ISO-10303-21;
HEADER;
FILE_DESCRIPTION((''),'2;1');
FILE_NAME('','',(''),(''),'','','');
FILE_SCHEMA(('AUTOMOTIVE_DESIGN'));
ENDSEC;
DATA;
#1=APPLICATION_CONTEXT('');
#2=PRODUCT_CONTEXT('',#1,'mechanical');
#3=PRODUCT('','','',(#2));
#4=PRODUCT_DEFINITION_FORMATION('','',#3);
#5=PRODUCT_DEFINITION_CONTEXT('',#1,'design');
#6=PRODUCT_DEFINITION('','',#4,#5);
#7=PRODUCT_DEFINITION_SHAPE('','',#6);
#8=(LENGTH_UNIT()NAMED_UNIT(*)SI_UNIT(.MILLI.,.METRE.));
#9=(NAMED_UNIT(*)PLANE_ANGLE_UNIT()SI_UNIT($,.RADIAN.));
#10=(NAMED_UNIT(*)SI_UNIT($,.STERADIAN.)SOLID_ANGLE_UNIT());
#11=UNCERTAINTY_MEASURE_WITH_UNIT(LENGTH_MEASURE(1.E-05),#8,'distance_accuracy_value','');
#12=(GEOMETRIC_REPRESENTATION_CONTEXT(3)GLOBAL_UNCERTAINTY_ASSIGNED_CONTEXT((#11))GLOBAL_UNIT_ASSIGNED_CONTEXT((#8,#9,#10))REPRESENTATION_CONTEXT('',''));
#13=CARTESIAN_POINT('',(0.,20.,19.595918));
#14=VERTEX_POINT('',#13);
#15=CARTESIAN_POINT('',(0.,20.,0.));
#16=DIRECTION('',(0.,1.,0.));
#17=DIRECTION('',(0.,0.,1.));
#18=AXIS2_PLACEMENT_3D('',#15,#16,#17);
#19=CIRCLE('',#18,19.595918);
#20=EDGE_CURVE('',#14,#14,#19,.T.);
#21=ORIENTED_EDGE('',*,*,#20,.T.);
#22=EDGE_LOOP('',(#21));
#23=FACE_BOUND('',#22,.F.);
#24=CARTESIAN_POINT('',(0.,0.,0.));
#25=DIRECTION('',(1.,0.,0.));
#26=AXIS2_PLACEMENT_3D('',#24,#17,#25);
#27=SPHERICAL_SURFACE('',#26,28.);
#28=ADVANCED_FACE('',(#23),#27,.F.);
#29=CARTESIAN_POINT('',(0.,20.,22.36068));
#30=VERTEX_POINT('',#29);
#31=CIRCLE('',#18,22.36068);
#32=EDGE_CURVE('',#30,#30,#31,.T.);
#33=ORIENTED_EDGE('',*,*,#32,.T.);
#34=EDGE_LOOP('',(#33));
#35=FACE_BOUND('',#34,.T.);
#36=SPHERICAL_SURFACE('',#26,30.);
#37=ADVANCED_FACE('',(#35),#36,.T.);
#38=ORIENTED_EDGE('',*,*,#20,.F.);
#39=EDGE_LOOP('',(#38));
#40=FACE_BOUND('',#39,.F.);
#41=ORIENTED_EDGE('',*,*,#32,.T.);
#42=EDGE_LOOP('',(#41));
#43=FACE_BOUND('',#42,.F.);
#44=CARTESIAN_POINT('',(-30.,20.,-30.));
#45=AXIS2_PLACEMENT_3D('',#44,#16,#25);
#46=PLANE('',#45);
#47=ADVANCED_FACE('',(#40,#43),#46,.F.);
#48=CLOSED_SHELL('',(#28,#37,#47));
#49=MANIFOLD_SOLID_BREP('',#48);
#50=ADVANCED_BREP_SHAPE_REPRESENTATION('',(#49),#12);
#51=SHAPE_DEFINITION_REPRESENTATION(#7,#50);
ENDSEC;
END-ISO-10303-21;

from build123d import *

# Parameters (mm, degrees)
BOX_W           = 60
BOX_H           = 60
BOX_DEPTH       = 60
SPHERE001_ANGLE = 180
SPHERE_ANGLE    = 180


with BuildPart() as cube:
    # Box → Box (new body)
    with BuildSketch(Plane(origin=(-30, -40, -30), x_dir=(1, 0, 0), z_dir=(0, 0, 1))):
        with Locations((30, 30)):
            Rectangle(BOX_W, BOX_H)
    extrude(amount=BOX_DEPTH)


with BuildPart() as inner:
    # Sphere001 → Sphere001 (revolve)
    with BuildSketch(Plane.XZ):
        with BuildLine():
            ThreePointArc((0, -28), (28, 0), (0, 28))
            Line((0, 28), (0, -28))
        make_face()
    revolve(axis=Axis((0, 0, 0), (0, 0, 1)), revolution_arc=SPHERE001_ANGLE)


with BuildPart() as cutshell:
    # Sphere → Sphere (revolve)
    with BuildSketch(Plane.XZ):
        with BuildLine():
            ThreePointArc((0, -30), (30, 0), (0, 30))
            Line((0, 30), (0, -30))
        make_face()
    revolve(axis=Axis((0, 0, 0), (0, 0, 1)), revolution_arc=SPHERE_ANGLE)

    # Cut: cut Inner
    add(inner.part, mode=Mode.SUBTRACT)

    # Cut001: cut Cube
    add(cube.part, mode=Mode.SUBTRACT)


solid = cutshell.part
